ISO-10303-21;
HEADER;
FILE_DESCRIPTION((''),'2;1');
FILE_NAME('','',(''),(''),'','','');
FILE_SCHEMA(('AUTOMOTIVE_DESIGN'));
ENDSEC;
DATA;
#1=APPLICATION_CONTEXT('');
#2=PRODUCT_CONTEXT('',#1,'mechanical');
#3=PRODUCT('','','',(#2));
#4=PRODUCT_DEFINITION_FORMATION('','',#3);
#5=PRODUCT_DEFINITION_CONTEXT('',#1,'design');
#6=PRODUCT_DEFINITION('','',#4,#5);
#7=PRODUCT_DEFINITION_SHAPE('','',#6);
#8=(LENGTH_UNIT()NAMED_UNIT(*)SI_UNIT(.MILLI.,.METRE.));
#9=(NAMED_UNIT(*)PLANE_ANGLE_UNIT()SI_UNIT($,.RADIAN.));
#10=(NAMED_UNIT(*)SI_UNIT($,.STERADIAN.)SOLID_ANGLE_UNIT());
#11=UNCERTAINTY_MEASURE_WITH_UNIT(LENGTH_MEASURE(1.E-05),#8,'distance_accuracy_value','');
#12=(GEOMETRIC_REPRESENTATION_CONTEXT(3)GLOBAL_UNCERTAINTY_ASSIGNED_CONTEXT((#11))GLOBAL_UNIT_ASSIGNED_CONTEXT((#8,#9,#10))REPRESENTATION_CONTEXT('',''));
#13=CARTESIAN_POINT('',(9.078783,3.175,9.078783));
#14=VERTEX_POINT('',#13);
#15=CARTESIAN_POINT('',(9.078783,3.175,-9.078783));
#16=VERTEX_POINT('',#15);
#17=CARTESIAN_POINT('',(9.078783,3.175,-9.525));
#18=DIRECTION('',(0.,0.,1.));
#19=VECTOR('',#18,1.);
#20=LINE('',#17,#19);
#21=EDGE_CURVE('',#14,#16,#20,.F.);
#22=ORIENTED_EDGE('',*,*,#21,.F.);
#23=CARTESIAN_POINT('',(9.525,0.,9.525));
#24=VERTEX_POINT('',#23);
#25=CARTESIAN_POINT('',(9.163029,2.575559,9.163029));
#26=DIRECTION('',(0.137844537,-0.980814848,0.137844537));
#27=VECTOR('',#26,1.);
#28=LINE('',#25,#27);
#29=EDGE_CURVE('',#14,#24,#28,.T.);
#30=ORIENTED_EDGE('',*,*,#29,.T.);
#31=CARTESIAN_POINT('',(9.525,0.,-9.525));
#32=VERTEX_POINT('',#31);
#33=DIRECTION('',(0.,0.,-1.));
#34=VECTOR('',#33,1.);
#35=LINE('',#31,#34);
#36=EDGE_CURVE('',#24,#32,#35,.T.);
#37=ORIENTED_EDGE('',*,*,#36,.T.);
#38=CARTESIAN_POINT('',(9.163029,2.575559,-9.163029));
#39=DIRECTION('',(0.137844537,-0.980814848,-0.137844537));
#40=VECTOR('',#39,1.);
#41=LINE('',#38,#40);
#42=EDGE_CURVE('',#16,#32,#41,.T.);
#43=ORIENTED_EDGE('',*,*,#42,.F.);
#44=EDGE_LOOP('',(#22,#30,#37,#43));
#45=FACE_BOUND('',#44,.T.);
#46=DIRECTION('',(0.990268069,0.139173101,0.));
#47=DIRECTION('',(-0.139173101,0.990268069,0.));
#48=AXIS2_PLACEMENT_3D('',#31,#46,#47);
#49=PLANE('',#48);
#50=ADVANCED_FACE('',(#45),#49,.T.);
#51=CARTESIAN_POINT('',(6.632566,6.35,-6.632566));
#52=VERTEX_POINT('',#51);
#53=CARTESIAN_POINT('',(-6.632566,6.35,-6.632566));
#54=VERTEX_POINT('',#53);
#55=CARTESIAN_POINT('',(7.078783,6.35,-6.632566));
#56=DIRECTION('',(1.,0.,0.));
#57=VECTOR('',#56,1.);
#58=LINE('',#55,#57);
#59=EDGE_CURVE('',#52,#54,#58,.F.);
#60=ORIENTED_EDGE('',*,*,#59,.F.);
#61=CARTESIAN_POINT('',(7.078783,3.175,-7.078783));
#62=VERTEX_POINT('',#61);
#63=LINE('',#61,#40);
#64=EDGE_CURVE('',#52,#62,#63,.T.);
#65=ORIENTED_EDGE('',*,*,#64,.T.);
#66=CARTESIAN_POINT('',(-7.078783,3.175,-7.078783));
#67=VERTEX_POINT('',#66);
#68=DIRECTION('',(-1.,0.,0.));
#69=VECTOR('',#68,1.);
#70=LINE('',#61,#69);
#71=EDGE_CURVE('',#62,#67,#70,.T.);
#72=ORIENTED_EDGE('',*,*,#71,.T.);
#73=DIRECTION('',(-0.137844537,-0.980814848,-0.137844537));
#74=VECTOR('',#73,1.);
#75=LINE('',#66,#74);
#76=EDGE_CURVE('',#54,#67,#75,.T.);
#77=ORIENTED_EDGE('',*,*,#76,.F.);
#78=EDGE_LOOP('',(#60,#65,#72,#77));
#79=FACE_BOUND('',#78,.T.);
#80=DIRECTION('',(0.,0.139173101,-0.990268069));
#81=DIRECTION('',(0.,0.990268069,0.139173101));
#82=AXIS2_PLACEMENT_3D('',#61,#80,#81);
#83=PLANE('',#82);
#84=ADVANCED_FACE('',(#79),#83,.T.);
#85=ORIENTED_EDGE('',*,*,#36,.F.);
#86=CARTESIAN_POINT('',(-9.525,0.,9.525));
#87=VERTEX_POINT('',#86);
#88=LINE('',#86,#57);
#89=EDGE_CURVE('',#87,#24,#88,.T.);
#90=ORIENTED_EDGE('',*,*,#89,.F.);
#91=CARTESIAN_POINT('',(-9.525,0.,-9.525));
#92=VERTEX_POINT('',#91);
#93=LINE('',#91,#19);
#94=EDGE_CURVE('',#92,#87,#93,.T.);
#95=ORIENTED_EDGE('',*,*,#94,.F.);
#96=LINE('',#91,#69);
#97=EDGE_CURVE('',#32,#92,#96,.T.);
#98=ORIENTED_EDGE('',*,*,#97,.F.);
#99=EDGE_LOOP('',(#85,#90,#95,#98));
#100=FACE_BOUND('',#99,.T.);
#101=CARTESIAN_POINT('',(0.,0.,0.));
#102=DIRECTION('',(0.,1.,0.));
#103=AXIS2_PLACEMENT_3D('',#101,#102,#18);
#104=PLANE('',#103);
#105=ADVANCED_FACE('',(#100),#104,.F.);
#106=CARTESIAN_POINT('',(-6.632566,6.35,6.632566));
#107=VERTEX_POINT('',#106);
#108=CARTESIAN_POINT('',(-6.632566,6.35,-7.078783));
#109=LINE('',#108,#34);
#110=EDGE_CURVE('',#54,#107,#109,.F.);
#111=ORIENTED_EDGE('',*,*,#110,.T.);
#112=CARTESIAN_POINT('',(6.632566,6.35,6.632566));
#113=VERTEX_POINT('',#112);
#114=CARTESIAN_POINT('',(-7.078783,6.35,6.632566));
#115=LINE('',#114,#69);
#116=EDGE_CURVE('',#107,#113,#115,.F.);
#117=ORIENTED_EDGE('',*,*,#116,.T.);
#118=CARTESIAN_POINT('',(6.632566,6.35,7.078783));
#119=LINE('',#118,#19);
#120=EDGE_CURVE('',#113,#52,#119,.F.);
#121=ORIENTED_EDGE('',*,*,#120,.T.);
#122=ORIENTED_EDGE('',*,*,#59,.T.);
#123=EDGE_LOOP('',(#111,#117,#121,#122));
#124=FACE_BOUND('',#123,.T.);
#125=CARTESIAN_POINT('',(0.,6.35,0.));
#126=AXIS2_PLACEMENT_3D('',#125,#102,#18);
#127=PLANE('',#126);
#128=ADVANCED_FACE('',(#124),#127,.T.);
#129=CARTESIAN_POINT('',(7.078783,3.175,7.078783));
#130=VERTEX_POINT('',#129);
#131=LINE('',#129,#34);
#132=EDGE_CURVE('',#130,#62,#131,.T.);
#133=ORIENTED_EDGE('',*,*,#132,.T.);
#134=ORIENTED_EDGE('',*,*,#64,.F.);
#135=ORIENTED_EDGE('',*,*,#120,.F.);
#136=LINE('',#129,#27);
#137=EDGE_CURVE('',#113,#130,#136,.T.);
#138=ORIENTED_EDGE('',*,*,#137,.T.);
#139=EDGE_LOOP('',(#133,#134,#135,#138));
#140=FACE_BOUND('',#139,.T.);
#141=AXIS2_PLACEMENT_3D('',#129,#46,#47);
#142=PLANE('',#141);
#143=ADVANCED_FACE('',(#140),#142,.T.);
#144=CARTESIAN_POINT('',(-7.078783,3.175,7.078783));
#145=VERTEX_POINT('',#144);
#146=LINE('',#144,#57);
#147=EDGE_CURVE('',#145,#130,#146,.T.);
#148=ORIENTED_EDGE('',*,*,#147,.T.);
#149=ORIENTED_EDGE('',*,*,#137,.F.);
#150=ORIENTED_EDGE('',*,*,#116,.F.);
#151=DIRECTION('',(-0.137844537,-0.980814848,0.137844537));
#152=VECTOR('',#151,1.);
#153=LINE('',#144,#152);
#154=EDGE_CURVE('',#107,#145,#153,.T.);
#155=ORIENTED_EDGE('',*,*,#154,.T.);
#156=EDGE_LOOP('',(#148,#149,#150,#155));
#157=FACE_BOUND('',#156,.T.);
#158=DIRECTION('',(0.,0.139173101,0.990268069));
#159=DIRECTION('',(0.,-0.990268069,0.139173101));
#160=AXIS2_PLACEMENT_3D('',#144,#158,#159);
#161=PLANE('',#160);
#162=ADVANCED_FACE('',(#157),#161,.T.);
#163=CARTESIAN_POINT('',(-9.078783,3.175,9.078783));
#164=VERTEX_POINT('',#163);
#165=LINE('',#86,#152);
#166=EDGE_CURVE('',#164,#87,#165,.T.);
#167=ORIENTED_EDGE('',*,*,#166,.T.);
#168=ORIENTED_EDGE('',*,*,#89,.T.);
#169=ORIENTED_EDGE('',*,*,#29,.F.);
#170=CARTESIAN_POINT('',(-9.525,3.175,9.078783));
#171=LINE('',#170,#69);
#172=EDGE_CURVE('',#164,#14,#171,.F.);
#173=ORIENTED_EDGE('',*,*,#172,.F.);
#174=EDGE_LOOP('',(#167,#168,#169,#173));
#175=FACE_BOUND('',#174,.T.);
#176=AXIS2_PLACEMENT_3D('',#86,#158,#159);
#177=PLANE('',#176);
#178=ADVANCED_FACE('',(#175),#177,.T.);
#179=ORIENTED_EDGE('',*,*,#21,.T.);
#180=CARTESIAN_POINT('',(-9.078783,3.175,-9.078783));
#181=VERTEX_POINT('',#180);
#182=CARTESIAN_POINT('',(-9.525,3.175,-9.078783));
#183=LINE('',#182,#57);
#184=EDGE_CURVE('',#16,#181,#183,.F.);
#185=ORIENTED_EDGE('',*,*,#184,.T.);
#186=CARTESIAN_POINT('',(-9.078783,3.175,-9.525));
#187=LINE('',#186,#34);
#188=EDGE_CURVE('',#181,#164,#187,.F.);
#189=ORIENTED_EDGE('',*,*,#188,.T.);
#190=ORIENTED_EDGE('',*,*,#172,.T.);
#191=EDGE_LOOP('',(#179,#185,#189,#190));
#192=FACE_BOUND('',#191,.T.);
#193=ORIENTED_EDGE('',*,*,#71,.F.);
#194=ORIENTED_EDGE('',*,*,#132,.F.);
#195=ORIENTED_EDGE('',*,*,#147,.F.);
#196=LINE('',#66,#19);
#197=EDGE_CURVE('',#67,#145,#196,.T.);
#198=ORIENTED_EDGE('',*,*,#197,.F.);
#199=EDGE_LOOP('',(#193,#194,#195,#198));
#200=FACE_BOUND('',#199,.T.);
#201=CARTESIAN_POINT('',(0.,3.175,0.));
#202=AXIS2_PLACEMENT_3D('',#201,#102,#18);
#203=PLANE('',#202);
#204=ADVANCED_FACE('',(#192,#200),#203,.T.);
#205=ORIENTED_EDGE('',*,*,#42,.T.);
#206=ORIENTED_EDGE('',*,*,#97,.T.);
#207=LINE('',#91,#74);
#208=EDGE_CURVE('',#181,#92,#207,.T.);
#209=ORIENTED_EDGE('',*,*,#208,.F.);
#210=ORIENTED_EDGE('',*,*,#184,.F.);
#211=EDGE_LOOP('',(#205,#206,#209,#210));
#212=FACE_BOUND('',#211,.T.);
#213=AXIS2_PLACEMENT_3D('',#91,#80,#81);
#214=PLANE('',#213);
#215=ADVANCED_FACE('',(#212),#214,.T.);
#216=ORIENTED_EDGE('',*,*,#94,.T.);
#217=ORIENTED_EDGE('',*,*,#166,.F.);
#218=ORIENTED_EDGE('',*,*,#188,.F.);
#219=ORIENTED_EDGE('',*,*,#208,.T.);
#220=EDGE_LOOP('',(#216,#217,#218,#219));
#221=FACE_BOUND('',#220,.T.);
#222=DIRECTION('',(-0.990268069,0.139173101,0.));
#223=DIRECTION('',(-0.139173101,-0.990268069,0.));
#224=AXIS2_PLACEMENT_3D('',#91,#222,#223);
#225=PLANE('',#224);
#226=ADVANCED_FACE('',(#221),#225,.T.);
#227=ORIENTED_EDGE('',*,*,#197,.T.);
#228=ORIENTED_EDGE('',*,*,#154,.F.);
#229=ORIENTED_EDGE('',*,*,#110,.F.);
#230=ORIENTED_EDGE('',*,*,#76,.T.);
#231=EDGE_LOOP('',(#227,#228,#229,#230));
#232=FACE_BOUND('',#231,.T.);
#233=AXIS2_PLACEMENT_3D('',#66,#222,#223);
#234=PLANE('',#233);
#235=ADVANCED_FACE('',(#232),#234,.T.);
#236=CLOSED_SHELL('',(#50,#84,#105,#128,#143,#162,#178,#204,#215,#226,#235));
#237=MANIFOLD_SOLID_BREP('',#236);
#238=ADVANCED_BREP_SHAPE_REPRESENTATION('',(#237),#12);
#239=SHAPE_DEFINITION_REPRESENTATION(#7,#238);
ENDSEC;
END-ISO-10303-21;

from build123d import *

# Parameters (mm, degrees)
SKETCH2_W           = 19.05
SKETCH2_H           = 19.05
BOSS_EXTRUDE1_DEPTH = 3.175
BOSS_EXTRUDE1_TAPER = 8
SKETCH3_W           = 14.1575657
SKETCH3_H           = 14.1575657
BOSS_EXTRUDE2_DEPTH = 3.175
BOSS_EXTRUDE2_TAPER = 8


with BuildPart() as part:
    # Sketch2 → Boss-Extrude1 (new body)
    with BuildSketch(Plane(origin=(0, 0, 0), x_dir=(1, 0, 0), z_dir=(0, 1, 0))):
        Rectangle(SKETCH2_W, SKETCH2_H)
    extrude(amount=BOSS_EXTRUDE1_DEPTH, taper=BOSS_EXTRUDE1_TAPER)

    # Sketch3 → Boss-Extrude2 (add)
    with BuildSketch(Plane(origin=(0, 3.175, 0), x_dir=(1, 0, 0), z_dir=(0, 1, 0))):
        Rectangle(SKETCH3_W, SKETCH3_H)
    extrude(amount=BOSS_EXTRUDE2_DEPTH, taper=BOSS_EXTRUDE2_TAPER)


solid = part.part
